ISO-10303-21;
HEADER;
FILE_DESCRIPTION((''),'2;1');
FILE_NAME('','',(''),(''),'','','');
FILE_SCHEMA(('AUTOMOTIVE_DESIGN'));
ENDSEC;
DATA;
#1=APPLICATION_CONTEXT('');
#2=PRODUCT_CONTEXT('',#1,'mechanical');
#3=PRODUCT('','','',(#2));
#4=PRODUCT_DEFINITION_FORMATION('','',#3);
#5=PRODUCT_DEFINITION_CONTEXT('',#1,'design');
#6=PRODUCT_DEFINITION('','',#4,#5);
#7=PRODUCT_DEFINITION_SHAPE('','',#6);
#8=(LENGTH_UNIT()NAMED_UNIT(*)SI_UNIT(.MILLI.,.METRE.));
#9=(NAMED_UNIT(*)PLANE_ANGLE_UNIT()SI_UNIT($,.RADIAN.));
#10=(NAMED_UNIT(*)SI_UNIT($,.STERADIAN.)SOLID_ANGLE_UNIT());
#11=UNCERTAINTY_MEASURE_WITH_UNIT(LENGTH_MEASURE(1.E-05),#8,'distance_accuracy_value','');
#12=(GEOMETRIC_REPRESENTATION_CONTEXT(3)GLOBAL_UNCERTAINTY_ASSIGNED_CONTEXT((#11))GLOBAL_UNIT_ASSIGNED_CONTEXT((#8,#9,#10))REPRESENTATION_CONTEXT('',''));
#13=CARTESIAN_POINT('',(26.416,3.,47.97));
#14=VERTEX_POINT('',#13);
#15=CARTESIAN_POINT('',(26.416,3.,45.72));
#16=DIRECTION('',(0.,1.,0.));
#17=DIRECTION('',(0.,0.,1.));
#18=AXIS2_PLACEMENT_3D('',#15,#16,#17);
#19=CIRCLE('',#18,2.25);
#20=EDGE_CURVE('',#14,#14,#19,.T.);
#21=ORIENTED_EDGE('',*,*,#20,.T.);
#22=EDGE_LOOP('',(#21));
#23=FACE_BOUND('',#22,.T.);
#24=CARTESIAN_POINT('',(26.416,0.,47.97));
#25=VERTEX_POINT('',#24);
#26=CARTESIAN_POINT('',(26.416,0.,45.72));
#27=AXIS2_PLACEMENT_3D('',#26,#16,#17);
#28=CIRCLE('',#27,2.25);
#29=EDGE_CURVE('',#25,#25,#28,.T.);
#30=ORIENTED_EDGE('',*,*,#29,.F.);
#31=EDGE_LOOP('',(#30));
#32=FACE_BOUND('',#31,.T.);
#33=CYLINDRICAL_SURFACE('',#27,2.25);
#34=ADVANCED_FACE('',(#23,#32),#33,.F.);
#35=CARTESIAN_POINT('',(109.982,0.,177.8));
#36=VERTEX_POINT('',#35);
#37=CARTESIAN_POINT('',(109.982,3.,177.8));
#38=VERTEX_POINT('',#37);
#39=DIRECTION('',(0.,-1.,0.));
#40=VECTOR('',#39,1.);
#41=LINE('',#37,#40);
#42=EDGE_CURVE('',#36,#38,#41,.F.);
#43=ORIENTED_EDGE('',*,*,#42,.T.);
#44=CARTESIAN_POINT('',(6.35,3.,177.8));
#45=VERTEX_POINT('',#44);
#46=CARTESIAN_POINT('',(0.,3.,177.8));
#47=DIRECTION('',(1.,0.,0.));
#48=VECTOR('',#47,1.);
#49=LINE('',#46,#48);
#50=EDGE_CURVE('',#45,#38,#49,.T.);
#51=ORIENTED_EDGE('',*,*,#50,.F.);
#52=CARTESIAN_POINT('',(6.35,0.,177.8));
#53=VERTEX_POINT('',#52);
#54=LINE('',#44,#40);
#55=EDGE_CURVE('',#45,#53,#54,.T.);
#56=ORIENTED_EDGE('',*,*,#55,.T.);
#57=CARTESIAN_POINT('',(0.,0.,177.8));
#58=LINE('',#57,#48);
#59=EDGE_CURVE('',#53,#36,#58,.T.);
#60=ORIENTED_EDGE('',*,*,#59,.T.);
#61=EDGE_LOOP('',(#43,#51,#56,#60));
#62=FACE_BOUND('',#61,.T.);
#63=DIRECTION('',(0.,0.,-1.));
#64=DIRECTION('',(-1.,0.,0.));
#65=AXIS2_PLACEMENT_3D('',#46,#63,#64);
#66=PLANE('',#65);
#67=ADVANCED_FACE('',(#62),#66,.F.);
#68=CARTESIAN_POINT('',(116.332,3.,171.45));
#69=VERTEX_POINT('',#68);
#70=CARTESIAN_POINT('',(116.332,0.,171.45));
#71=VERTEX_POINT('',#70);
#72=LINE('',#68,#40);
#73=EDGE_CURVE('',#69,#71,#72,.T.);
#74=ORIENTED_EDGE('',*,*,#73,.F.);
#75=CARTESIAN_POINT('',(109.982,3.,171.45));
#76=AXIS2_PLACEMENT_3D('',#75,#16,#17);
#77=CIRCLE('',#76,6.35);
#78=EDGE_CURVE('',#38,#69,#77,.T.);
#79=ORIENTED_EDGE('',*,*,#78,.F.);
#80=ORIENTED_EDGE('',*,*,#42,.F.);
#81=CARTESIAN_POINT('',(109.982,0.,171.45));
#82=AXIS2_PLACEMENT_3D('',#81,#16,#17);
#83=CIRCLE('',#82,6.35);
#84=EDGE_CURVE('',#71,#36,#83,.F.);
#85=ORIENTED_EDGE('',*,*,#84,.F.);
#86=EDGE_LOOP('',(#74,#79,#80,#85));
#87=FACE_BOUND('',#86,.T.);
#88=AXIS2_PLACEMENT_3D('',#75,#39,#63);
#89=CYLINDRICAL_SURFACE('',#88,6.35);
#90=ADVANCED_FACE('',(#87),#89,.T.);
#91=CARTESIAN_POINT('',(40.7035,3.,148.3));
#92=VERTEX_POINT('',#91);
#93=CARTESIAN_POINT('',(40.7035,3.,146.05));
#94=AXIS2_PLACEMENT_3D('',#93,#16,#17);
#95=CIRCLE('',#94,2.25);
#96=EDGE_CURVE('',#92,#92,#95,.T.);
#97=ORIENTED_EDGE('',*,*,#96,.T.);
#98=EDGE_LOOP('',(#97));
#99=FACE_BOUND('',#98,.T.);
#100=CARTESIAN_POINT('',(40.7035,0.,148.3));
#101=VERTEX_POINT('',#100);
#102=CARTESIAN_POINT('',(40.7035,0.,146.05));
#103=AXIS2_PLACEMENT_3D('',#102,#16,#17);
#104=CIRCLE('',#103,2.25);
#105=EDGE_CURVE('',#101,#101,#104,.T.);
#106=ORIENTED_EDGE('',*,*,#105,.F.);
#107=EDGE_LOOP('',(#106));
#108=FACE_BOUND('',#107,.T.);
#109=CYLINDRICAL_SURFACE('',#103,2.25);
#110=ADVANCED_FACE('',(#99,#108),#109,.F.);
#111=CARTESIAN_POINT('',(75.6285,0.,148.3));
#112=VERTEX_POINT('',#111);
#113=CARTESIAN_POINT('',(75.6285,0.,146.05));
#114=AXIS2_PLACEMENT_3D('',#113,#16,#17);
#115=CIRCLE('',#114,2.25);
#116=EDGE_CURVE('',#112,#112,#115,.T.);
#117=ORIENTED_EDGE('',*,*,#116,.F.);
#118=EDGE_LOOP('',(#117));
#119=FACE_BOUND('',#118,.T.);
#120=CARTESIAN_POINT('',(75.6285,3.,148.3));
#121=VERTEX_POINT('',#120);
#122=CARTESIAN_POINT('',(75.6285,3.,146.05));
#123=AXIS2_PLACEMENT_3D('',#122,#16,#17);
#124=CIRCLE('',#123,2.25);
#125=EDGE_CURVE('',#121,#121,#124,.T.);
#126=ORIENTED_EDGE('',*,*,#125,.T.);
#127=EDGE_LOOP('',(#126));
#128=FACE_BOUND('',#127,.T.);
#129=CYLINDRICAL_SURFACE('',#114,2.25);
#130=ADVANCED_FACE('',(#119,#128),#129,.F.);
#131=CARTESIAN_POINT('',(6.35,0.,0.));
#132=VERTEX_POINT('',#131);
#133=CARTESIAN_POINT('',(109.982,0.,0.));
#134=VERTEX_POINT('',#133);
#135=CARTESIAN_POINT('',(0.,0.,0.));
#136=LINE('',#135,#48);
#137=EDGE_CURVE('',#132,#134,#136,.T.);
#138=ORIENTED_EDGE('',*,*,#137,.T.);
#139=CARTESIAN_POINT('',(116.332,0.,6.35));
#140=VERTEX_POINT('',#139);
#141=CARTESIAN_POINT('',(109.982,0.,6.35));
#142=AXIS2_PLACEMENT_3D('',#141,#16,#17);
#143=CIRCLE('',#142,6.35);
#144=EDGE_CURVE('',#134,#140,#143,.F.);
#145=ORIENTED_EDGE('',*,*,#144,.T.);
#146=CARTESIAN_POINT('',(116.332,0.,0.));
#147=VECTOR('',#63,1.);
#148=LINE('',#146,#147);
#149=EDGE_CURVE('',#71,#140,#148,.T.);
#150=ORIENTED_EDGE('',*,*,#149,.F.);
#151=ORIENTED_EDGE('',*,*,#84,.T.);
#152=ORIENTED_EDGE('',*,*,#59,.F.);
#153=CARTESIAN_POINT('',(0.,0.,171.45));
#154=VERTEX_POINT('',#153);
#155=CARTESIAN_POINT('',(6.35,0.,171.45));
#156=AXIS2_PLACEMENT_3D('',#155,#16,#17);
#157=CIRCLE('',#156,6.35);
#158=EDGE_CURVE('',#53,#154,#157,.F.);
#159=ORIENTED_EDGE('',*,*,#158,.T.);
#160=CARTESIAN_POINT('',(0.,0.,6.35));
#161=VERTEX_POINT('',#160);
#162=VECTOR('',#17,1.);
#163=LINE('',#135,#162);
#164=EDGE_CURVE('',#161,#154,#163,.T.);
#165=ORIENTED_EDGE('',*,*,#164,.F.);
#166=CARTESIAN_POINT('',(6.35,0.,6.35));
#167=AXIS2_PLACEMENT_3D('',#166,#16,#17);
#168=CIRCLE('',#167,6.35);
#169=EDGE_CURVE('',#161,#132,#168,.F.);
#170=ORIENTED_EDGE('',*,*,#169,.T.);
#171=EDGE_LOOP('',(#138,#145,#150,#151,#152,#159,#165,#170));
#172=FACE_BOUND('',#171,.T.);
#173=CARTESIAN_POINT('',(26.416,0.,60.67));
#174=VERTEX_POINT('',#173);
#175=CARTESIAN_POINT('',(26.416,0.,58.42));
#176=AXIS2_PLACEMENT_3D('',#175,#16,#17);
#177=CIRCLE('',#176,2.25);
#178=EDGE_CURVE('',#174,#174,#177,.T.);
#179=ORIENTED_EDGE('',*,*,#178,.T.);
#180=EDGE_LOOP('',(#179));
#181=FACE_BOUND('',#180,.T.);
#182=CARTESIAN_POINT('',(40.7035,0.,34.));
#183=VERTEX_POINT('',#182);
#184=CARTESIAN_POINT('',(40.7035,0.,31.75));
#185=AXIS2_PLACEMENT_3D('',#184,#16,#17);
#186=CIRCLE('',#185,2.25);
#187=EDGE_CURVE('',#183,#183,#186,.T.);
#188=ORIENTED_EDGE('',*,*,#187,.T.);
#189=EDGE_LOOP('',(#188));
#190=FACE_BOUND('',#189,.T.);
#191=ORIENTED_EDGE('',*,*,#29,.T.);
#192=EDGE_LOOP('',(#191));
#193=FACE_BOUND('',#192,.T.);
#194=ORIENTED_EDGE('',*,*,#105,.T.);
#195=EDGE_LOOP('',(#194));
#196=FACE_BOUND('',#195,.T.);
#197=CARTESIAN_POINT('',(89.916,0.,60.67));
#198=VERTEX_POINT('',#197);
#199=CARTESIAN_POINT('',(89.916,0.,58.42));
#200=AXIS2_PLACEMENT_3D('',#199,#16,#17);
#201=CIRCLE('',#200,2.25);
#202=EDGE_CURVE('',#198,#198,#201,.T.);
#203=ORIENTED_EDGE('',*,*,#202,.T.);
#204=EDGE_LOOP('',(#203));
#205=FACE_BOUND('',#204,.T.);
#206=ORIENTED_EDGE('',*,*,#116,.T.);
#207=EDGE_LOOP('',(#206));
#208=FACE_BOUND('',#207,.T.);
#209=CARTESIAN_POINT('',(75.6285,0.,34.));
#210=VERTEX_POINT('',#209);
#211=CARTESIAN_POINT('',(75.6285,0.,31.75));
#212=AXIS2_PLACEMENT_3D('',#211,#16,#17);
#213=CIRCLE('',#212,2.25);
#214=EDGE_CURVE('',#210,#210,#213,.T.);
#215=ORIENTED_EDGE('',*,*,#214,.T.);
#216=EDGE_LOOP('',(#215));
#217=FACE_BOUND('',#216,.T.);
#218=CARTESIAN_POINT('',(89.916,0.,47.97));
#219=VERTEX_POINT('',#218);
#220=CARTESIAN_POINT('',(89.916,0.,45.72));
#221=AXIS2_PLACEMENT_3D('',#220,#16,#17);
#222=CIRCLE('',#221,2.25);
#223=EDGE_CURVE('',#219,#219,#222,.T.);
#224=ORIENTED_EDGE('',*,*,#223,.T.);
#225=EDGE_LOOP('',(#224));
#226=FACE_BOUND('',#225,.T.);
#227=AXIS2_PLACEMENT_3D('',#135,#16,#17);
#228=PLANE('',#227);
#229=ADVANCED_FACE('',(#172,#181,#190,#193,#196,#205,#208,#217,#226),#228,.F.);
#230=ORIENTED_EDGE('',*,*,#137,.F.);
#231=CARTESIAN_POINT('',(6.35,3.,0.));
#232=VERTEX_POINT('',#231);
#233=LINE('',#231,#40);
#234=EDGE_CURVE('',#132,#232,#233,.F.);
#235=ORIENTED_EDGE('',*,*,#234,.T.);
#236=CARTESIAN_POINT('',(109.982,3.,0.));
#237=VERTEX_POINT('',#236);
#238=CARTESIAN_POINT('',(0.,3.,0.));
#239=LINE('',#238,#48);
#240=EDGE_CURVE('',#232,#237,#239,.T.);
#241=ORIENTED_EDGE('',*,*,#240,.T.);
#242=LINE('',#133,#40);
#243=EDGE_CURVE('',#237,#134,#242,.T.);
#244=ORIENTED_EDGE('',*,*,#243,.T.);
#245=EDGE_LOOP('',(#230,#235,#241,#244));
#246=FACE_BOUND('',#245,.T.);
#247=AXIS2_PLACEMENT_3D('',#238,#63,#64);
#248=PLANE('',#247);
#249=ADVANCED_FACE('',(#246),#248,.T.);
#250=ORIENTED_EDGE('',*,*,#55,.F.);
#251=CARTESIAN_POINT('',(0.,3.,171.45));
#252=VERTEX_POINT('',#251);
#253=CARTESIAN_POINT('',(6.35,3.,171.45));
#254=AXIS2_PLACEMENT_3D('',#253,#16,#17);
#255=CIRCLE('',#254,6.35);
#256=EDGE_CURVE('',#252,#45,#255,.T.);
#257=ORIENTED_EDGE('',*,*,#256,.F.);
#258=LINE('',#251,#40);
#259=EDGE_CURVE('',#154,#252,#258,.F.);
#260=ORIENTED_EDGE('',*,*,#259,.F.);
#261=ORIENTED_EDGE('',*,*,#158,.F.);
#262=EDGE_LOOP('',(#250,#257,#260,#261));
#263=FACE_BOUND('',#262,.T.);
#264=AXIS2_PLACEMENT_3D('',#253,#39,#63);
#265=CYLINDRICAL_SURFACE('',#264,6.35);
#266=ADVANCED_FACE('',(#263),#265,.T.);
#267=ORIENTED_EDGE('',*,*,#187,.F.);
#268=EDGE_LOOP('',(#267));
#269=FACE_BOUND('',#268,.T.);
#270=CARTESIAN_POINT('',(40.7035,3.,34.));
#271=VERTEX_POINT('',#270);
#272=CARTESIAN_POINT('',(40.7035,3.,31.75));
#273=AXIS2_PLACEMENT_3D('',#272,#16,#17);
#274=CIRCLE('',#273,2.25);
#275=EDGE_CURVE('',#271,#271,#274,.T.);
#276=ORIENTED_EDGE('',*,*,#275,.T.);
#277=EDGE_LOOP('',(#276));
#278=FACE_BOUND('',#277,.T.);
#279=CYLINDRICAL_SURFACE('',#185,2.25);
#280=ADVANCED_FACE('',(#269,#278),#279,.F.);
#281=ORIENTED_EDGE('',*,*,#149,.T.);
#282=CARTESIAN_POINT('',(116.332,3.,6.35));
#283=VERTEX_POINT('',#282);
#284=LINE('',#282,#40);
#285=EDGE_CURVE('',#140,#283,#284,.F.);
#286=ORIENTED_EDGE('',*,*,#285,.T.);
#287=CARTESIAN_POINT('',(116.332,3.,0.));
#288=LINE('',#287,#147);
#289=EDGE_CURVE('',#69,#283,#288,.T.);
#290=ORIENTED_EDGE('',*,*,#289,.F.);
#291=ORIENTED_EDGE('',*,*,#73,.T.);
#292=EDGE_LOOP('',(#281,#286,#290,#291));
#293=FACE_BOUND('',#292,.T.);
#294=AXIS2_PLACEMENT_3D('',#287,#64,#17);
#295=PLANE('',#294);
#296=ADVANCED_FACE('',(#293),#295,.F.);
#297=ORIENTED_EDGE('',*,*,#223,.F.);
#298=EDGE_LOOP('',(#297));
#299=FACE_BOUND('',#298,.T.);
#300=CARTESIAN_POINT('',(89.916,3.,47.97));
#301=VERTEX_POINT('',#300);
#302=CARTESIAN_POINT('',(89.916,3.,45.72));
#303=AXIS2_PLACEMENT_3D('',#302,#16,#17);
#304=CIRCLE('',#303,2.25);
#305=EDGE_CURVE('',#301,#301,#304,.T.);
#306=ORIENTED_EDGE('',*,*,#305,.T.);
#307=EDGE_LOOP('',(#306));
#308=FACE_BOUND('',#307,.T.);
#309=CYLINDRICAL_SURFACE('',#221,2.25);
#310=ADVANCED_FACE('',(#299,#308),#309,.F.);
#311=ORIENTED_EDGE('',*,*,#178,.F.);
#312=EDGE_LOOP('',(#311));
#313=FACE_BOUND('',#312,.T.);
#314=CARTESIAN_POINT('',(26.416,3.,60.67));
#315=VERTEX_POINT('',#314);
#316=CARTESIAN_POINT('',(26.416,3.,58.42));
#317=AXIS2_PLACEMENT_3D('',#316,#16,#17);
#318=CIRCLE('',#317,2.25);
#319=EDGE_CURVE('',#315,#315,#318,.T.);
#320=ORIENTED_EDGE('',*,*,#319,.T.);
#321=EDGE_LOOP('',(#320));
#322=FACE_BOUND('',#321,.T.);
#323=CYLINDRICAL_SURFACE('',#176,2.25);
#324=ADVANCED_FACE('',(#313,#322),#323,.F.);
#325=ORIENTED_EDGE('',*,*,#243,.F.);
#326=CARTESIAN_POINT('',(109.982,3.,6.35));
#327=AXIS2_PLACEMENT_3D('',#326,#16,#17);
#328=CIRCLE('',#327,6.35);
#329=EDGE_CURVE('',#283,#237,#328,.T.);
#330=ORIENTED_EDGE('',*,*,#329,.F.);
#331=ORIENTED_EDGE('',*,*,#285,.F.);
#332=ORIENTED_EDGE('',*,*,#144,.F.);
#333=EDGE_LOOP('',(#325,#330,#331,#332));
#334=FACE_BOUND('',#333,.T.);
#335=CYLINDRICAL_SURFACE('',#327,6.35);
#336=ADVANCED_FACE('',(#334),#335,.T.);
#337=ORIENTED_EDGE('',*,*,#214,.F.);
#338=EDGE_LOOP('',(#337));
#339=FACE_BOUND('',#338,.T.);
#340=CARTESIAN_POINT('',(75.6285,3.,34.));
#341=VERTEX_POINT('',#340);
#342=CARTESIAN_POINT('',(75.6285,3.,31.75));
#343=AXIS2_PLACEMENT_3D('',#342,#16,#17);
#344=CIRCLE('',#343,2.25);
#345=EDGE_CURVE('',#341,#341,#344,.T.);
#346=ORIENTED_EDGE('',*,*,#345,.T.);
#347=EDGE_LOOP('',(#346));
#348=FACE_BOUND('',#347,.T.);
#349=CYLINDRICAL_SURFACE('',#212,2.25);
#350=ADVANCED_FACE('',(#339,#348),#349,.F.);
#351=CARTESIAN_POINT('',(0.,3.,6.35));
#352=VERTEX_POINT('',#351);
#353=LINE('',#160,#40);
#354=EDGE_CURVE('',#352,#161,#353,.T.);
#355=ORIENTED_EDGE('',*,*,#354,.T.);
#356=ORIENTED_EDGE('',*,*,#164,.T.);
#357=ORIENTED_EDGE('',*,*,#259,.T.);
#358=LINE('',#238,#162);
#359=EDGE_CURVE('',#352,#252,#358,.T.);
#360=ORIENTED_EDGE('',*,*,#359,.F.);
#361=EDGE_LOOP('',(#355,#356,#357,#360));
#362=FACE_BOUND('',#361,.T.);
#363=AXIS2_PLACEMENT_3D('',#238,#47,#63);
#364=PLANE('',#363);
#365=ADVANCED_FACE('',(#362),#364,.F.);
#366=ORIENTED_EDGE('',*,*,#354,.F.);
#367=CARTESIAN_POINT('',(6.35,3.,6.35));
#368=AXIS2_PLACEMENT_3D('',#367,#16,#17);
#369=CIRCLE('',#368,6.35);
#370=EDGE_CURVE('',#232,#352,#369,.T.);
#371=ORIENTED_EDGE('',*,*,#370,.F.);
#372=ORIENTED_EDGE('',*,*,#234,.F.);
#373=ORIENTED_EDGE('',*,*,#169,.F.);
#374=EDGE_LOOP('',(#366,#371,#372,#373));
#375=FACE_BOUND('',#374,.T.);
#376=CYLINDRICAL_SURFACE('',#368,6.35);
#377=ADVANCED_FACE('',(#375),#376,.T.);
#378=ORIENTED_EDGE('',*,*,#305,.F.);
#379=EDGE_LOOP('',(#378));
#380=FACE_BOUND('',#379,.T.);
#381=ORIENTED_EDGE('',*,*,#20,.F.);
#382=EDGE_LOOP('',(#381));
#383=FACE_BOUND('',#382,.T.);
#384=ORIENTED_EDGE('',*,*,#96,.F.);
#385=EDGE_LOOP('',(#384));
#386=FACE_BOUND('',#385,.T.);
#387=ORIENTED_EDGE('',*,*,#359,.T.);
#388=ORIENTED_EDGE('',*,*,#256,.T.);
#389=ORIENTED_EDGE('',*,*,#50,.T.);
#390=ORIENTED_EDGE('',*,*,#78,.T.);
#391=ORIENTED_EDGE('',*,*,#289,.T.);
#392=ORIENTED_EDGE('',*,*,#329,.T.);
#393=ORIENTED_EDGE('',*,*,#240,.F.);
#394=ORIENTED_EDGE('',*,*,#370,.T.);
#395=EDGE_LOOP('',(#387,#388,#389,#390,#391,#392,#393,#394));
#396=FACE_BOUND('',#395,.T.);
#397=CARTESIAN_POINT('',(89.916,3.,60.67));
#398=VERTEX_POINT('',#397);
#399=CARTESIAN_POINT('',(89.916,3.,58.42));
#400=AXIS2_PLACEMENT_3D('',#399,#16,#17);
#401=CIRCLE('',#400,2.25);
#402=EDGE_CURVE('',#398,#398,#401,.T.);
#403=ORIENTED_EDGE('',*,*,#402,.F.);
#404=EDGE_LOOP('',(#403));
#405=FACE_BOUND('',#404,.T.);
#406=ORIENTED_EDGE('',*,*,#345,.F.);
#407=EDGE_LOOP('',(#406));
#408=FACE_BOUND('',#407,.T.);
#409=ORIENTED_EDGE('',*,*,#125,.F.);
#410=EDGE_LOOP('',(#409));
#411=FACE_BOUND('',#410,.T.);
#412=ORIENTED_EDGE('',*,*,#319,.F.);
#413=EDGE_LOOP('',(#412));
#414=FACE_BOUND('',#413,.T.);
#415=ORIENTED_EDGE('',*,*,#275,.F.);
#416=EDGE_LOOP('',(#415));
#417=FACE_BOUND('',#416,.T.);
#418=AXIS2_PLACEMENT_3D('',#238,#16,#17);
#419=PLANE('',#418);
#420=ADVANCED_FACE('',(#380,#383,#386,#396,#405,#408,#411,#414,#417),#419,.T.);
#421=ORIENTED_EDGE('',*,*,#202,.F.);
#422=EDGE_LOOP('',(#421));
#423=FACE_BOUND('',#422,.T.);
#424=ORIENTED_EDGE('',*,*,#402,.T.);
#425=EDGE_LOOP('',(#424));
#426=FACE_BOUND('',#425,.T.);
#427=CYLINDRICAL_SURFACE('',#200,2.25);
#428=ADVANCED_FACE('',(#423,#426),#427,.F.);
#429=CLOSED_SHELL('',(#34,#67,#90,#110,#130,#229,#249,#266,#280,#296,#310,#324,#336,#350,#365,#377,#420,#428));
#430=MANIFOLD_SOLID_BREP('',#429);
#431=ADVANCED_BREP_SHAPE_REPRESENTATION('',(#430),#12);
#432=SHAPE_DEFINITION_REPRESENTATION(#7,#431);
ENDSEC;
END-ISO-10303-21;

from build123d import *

# Parameters (mm, degrees)
SKETCH1_W               = 116.332
SKETCH1_H               = 177.8
BOSS_EXTRUDE1_DEPTH     = 3
CUT_EXTRUDE1_DEPTH      = 213.496998153
CUT_EXTRUDE1_DEPTH_BACK = 213.496998153
SKETCH3_R               = 2.25
CUT_EXTRUDE2_DEPTH      = 213.496998153
CUT_EXTRUDE2_DEPTH_BACK = 213.496998153
SKETCH4_R               = 2.25
FILLET1_R               = 6.35


with BuildPart() as part:
    # Sketch1 → Boss-Extrude1 (new body)
    with BuildSketch(Plane(origin=(0, 0, 0), x_dir=(1, 0, 0), z_dir=(0, 1, 0))):
        with Locations((58.166, -88.9)):
            Rectangle(SKETCH1_W, SKETCH1_H)
    extrude(amount=BOSS_EXTRUDE1_DEPTH)

    # Sketch3 → Cut-Extrude1 (cut, two sides: drawn at the far end of the back side and taken through both)
    with BuildSketch(Plane(origin=(0, 3, 0), x_dir=(1, 0, 0), z_dir=(0, 1, 0)).offset(-CUT_EXTRUDE1_DEPTH_BACK)):
        with Locations(Location((26.416, -45.72, 0), (0, 0, 270))):
            Circle(SKETCH3_R)
        with Locations(Location((26.416, -58.42, 0), (0, 0, 270))):
            Circle(SKETCH3_R)
        with Locations(Location((89.916, -45.72, 0), (0, 0, 270))):
            Circle(SKETCH3_R)
        with Locations(Location((89.916, -58.42, 0), (0, 0, 270))):
            Circle(SKETCH3_R)
    extrude(amount=CUT_EXTRUDE1_DEPTH + CUT_EXTRUDE1_DEPTH_BACK, mode=Mode.SUBTRACT)

    # Sketch4 → Cut-Extrude2 (cut, two sides: drawn at the far end of the back side and taken through both)
    with BuildSketch(Plane(origin=(0, 3, 0), x_dir=(1, 0, 0), z_dir=(0, 1, 0)).offset(-CUT_EXTRUDE2_DEPTH_BACK)):
        with Locations(Location((40.7035, -31.75, 0), (0, 0, 270))):
            Circle(SKETCH4_R)
        with Locations(Location((75.6285, -31.75, 0), (0, 0, 270))):
            Circle(SKETCH4_R)
        with Locations(Location((40.7035, -146.05, 0), (0, 0, 270))):
            Circle(SKETCH4_R)
        with Locations(Location((75.6285, -146.05, 0), (0, 0, 270))):
            Circle(SKETCH4_R)
    extrude(amount=CUT_EXTRUDE2_DEPTH + CUT_EXTRUDE2_DEPTH_BACK, mode=Mode.SUBTRACT)

    # Fillet1
    fillet1_edges = [part.edges().sort_by_distance(p)[0] for p in [
        (116.332, 1.5, 0),
        (116.332, 1.5, 177.8),
        (0, 1.5, 177.8),
        (0, 1.5, 0),
    ]]
    fillet(fillet1_edges, radius=FILLET1_R)


solid = part.part
